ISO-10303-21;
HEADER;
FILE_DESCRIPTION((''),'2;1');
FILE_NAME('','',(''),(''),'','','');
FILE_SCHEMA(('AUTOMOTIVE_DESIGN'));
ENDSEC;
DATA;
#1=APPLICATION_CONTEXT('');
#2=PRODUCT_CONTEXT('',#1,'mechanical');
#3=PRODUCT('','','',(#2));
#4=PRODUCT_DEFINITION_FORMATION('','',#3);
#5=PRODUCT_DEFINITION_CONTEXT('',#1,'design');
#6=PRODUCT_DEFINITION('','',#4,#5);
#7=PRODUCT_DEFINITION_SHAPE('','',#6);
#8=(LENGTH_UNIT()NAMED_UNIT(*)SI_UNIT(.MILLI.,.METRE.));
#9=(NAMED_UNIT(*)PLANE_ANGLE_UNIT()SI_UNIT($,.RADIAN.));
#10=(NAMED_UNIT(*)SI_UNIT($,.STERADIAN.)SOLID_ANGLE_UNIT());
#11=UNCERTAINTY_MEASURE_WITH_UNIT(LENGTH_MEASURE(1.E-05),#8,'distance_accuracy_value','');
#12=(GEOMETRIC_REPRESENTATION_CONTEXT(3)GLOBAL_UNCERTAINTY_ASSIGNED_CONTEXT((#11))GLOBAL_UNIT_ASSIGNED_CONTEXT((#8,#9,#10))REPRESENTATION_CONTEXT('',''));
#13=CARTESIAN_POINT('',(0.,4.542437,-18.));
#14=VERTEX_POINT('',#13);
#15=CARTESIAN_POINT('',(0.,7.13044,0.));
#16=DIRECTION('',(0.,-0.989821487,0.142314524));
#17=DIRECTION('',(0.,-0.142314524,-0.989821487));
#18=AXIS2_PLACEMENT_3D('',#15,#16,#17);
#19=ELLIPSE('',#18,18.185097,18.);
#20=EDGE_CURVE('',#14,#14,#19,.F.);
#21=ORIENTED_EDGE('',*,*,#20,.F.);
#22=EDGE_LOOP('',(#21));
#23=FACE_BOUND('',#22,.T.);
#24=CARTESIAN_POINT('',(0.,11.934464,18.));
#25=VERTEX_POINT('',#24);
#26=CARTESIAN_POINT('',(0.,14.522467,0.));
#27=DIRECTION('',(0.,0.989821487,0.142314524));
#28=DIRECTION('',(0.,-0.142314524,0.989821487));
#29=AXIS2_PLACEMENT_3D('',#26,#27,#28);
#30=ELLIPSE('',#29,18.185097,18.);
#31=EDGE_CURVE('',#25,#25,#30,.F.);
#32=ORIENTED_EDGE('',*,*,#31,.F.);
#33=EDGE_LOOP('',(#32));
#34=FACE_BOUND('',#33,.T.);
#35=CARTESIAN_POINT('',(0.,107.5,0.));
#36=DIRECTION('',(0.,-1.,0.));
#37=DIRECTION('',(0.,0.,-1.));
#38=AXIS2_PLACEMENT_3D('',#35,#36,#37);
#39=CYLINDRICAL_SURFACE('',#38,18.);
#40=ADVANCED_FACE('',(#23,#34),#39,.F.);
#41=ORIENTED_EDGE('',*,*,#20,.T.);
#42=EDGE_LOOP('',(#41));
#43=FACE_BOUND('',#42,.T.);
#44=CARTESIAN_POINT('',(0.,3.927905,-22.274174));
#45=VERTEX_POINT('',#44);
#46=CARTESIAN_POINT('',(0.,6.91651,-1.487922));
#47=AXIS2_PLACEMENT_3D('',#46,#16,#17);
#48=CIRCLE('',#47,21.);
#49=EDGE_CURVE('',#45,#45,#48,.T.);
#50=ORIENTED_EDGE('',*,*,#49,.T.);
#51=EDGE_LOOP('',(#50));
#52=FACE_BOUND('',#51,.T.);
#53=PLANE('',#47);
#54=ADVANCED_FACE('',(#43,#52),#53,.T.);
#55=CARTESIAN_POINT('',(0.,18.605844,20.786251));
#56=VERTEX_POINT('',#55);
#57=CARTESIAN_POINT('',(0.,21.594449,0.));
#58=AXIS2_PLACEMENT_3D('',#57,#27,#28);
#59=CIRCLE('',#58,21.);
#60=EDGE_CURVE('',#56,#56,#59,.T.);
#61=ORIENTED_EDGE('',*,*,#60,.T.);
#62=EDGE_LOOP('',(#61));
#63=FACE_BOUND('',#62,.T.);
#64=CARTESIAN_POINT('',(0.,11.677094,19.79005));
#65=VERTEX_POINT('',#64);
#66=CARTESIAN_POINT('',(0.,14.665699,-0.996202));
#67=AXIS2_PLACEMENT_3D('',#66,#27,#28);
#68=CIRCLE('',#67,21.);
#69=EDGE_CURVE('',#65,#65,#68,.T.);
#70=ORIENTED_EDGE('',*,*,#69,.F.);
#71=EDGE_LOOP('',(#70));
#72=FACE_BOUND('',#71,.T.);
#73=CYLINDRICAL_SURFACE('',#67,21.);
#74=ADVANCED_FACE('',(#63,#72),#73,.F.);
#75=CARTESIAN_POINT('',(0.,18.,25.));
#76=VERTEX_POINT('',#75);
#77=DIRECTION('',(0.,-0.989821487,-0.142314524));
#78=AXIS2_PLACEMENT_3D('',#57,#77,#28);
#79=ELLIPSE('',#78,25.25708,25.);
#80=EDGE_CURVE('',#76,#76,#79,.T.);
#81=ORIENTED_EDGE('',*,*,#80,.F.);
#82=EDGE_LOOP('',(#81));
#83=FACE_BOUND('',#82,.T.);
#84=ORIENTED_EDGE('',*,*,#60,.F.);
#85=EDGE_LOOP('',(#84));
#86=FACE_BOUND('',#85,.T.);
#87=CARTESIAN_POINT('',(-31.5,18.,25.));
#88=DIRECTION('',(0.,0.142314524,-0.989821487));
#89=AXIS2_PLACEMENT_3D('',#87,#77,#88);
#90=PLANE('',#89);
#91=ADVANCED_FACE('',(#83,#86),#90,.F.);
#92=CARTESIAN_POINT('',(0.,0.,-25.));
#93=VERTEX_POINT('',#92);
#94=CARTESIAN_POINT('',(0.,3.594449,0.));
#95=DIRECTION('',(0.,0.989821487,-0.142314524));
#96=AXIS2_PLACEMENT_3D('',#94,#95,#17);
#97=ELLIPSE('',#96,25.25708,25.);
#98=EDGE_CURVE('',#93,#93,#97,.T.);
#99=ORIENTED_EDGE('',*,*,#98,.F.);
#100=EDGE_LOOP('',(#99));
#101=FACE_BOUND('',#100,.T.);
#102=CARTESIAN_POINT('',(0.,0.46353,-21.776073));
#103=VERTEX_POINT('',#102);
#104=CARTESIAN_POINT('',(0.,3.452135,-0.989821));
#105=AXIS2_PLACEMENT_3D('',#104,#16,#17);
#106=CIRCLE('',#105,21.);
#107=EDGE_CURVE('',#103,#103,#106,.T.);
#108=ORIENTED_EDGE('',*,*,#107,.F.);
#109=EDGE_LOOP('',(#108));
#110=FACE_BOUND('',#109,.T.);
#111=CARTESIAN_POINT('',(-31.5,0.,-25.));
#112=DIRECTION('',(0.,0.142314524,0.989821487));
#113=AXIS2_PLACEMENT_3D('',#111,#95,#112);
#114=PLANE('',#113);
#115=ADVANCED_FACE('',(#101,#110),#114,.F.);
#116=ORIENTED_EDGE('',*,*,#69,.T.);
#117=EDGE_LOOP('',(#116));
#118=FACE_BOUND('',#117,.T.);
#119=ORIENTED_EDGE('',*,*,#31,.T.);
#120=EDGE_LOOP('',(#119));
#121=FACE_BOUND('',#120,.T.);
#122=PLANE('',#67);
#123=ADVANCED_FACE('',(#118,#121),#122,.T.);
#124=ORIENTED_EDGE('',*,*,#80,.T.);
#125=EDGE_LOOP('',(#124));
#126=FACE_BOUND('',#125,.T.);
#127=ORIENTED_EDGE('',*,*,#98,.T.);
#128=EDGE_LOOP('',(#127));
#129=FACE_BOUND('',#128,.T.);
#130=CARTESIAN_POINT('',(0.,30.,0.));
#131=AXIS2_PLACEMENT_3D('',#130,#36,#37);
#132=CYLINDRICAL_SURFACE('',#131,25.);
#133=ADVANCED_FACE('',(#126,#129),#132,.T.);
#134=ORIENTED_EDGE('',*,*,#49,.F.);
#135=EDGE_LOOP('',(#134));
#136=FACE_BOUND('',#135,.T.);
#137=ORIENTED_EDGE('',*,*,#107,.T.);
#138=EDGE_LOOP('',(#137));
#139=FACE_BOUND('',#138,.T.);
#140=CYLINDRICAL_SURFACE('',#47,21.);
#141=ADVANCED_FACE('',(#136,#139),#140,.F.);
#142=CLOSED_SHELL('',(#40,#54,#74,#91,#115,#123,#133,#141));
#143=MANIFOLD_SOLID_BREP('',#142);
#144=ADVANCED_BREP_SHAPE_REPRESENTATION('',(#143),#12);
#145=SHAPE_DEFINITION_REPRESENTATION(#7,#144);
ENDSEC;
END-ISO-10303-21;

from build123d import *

# Parameters (mm, degrees)
SKETCH_1_R          = 25
EXTRUDE_1_DEPTH     = 30
CUT_EXTRUDE_1_DEPTH = 31.5
SKETCH_7_R          = 21
CUT_EXTRUDE_2_DEPTH = 7
SKETCH_8_R          = 21
CUT_EXTRUDE_3_DEPTH = 3.5
SKETCH_9_R          = 18
CUT_EXTRUDE_4_DEPTH = 107.5


with BuildPart() as part:
    # 草图1 → 凸台-拉伸1 (new body)
    with BuildSketch(Plane(origin=(0, 0, 0), x_dir=(1, 0, 0), z_dir=(0, 1, 0))):
        Circle(SKETCH_1_R)
    extrude(amount=EXTRUDE_1_DEPTH)

    # 草图3 → 切除-拉伸1 (cut, symmetric)
    with BuildSketch(Plane(origin=(0, 0, 0), x_dir=(0, 0, -1), z_dir=(1, 0, 0))):
        Polygon((-25, 18), (25, 25.188898505), (25, 39.510034579), (-25, 39.510034579), align=None)
        Polygon((25, 0), (-25, 7.188898505), (-25, -17.358468242), (25, -17.358468242), align=None)
    extrude(amount=CUT_EXTRUDE_1_DEPTH, both=True, mode=Mode.SUBTRACT)

    # 草图7 → 切除-拉伸2 (cut)
    with BuildSketch(Plane(origin=(0, 21.15708772, 3.041923126), x_dir=(1, 0, 0), z_dir=(0, 0.989821487, 0.142314524))):
        with Locations((0, 3.07320377)):
            Circle(SKETCH_7_R)
    extrude(amount=-CUT_EXTRUDE_2_DEPTH, mode=Mode.SUBTRACT)

    # 草图8 → 切除-拉伸3 (cut)
    with BuildSketch(Plane(origin=(0, 3.521649349, -0.506335595), x_dir=(-1, 0, 0), z_dir=(0, -0.989821487, 0.142314524))):
        with Locations((0, 0.488457665)):
            Circle(SKETCH_8_R)
    extrude(amount=-CUT_EXTRUDE_3_DEPTH, mode=Mode.SUBTRACT)

    # 草图9 → 切除-拉伸4 (cut)
    with BuildSketch(Plane(origin=(0, 0, 0), x_dir=(1, 0, 0), z_dir=(0, 1, 0))):
        Circle(SKETCH_9_R)
    extrude(amount=CUT_EXTRUDE_4_DEPTH, mode=Mode.SUBTRACT)


solid = part.part
